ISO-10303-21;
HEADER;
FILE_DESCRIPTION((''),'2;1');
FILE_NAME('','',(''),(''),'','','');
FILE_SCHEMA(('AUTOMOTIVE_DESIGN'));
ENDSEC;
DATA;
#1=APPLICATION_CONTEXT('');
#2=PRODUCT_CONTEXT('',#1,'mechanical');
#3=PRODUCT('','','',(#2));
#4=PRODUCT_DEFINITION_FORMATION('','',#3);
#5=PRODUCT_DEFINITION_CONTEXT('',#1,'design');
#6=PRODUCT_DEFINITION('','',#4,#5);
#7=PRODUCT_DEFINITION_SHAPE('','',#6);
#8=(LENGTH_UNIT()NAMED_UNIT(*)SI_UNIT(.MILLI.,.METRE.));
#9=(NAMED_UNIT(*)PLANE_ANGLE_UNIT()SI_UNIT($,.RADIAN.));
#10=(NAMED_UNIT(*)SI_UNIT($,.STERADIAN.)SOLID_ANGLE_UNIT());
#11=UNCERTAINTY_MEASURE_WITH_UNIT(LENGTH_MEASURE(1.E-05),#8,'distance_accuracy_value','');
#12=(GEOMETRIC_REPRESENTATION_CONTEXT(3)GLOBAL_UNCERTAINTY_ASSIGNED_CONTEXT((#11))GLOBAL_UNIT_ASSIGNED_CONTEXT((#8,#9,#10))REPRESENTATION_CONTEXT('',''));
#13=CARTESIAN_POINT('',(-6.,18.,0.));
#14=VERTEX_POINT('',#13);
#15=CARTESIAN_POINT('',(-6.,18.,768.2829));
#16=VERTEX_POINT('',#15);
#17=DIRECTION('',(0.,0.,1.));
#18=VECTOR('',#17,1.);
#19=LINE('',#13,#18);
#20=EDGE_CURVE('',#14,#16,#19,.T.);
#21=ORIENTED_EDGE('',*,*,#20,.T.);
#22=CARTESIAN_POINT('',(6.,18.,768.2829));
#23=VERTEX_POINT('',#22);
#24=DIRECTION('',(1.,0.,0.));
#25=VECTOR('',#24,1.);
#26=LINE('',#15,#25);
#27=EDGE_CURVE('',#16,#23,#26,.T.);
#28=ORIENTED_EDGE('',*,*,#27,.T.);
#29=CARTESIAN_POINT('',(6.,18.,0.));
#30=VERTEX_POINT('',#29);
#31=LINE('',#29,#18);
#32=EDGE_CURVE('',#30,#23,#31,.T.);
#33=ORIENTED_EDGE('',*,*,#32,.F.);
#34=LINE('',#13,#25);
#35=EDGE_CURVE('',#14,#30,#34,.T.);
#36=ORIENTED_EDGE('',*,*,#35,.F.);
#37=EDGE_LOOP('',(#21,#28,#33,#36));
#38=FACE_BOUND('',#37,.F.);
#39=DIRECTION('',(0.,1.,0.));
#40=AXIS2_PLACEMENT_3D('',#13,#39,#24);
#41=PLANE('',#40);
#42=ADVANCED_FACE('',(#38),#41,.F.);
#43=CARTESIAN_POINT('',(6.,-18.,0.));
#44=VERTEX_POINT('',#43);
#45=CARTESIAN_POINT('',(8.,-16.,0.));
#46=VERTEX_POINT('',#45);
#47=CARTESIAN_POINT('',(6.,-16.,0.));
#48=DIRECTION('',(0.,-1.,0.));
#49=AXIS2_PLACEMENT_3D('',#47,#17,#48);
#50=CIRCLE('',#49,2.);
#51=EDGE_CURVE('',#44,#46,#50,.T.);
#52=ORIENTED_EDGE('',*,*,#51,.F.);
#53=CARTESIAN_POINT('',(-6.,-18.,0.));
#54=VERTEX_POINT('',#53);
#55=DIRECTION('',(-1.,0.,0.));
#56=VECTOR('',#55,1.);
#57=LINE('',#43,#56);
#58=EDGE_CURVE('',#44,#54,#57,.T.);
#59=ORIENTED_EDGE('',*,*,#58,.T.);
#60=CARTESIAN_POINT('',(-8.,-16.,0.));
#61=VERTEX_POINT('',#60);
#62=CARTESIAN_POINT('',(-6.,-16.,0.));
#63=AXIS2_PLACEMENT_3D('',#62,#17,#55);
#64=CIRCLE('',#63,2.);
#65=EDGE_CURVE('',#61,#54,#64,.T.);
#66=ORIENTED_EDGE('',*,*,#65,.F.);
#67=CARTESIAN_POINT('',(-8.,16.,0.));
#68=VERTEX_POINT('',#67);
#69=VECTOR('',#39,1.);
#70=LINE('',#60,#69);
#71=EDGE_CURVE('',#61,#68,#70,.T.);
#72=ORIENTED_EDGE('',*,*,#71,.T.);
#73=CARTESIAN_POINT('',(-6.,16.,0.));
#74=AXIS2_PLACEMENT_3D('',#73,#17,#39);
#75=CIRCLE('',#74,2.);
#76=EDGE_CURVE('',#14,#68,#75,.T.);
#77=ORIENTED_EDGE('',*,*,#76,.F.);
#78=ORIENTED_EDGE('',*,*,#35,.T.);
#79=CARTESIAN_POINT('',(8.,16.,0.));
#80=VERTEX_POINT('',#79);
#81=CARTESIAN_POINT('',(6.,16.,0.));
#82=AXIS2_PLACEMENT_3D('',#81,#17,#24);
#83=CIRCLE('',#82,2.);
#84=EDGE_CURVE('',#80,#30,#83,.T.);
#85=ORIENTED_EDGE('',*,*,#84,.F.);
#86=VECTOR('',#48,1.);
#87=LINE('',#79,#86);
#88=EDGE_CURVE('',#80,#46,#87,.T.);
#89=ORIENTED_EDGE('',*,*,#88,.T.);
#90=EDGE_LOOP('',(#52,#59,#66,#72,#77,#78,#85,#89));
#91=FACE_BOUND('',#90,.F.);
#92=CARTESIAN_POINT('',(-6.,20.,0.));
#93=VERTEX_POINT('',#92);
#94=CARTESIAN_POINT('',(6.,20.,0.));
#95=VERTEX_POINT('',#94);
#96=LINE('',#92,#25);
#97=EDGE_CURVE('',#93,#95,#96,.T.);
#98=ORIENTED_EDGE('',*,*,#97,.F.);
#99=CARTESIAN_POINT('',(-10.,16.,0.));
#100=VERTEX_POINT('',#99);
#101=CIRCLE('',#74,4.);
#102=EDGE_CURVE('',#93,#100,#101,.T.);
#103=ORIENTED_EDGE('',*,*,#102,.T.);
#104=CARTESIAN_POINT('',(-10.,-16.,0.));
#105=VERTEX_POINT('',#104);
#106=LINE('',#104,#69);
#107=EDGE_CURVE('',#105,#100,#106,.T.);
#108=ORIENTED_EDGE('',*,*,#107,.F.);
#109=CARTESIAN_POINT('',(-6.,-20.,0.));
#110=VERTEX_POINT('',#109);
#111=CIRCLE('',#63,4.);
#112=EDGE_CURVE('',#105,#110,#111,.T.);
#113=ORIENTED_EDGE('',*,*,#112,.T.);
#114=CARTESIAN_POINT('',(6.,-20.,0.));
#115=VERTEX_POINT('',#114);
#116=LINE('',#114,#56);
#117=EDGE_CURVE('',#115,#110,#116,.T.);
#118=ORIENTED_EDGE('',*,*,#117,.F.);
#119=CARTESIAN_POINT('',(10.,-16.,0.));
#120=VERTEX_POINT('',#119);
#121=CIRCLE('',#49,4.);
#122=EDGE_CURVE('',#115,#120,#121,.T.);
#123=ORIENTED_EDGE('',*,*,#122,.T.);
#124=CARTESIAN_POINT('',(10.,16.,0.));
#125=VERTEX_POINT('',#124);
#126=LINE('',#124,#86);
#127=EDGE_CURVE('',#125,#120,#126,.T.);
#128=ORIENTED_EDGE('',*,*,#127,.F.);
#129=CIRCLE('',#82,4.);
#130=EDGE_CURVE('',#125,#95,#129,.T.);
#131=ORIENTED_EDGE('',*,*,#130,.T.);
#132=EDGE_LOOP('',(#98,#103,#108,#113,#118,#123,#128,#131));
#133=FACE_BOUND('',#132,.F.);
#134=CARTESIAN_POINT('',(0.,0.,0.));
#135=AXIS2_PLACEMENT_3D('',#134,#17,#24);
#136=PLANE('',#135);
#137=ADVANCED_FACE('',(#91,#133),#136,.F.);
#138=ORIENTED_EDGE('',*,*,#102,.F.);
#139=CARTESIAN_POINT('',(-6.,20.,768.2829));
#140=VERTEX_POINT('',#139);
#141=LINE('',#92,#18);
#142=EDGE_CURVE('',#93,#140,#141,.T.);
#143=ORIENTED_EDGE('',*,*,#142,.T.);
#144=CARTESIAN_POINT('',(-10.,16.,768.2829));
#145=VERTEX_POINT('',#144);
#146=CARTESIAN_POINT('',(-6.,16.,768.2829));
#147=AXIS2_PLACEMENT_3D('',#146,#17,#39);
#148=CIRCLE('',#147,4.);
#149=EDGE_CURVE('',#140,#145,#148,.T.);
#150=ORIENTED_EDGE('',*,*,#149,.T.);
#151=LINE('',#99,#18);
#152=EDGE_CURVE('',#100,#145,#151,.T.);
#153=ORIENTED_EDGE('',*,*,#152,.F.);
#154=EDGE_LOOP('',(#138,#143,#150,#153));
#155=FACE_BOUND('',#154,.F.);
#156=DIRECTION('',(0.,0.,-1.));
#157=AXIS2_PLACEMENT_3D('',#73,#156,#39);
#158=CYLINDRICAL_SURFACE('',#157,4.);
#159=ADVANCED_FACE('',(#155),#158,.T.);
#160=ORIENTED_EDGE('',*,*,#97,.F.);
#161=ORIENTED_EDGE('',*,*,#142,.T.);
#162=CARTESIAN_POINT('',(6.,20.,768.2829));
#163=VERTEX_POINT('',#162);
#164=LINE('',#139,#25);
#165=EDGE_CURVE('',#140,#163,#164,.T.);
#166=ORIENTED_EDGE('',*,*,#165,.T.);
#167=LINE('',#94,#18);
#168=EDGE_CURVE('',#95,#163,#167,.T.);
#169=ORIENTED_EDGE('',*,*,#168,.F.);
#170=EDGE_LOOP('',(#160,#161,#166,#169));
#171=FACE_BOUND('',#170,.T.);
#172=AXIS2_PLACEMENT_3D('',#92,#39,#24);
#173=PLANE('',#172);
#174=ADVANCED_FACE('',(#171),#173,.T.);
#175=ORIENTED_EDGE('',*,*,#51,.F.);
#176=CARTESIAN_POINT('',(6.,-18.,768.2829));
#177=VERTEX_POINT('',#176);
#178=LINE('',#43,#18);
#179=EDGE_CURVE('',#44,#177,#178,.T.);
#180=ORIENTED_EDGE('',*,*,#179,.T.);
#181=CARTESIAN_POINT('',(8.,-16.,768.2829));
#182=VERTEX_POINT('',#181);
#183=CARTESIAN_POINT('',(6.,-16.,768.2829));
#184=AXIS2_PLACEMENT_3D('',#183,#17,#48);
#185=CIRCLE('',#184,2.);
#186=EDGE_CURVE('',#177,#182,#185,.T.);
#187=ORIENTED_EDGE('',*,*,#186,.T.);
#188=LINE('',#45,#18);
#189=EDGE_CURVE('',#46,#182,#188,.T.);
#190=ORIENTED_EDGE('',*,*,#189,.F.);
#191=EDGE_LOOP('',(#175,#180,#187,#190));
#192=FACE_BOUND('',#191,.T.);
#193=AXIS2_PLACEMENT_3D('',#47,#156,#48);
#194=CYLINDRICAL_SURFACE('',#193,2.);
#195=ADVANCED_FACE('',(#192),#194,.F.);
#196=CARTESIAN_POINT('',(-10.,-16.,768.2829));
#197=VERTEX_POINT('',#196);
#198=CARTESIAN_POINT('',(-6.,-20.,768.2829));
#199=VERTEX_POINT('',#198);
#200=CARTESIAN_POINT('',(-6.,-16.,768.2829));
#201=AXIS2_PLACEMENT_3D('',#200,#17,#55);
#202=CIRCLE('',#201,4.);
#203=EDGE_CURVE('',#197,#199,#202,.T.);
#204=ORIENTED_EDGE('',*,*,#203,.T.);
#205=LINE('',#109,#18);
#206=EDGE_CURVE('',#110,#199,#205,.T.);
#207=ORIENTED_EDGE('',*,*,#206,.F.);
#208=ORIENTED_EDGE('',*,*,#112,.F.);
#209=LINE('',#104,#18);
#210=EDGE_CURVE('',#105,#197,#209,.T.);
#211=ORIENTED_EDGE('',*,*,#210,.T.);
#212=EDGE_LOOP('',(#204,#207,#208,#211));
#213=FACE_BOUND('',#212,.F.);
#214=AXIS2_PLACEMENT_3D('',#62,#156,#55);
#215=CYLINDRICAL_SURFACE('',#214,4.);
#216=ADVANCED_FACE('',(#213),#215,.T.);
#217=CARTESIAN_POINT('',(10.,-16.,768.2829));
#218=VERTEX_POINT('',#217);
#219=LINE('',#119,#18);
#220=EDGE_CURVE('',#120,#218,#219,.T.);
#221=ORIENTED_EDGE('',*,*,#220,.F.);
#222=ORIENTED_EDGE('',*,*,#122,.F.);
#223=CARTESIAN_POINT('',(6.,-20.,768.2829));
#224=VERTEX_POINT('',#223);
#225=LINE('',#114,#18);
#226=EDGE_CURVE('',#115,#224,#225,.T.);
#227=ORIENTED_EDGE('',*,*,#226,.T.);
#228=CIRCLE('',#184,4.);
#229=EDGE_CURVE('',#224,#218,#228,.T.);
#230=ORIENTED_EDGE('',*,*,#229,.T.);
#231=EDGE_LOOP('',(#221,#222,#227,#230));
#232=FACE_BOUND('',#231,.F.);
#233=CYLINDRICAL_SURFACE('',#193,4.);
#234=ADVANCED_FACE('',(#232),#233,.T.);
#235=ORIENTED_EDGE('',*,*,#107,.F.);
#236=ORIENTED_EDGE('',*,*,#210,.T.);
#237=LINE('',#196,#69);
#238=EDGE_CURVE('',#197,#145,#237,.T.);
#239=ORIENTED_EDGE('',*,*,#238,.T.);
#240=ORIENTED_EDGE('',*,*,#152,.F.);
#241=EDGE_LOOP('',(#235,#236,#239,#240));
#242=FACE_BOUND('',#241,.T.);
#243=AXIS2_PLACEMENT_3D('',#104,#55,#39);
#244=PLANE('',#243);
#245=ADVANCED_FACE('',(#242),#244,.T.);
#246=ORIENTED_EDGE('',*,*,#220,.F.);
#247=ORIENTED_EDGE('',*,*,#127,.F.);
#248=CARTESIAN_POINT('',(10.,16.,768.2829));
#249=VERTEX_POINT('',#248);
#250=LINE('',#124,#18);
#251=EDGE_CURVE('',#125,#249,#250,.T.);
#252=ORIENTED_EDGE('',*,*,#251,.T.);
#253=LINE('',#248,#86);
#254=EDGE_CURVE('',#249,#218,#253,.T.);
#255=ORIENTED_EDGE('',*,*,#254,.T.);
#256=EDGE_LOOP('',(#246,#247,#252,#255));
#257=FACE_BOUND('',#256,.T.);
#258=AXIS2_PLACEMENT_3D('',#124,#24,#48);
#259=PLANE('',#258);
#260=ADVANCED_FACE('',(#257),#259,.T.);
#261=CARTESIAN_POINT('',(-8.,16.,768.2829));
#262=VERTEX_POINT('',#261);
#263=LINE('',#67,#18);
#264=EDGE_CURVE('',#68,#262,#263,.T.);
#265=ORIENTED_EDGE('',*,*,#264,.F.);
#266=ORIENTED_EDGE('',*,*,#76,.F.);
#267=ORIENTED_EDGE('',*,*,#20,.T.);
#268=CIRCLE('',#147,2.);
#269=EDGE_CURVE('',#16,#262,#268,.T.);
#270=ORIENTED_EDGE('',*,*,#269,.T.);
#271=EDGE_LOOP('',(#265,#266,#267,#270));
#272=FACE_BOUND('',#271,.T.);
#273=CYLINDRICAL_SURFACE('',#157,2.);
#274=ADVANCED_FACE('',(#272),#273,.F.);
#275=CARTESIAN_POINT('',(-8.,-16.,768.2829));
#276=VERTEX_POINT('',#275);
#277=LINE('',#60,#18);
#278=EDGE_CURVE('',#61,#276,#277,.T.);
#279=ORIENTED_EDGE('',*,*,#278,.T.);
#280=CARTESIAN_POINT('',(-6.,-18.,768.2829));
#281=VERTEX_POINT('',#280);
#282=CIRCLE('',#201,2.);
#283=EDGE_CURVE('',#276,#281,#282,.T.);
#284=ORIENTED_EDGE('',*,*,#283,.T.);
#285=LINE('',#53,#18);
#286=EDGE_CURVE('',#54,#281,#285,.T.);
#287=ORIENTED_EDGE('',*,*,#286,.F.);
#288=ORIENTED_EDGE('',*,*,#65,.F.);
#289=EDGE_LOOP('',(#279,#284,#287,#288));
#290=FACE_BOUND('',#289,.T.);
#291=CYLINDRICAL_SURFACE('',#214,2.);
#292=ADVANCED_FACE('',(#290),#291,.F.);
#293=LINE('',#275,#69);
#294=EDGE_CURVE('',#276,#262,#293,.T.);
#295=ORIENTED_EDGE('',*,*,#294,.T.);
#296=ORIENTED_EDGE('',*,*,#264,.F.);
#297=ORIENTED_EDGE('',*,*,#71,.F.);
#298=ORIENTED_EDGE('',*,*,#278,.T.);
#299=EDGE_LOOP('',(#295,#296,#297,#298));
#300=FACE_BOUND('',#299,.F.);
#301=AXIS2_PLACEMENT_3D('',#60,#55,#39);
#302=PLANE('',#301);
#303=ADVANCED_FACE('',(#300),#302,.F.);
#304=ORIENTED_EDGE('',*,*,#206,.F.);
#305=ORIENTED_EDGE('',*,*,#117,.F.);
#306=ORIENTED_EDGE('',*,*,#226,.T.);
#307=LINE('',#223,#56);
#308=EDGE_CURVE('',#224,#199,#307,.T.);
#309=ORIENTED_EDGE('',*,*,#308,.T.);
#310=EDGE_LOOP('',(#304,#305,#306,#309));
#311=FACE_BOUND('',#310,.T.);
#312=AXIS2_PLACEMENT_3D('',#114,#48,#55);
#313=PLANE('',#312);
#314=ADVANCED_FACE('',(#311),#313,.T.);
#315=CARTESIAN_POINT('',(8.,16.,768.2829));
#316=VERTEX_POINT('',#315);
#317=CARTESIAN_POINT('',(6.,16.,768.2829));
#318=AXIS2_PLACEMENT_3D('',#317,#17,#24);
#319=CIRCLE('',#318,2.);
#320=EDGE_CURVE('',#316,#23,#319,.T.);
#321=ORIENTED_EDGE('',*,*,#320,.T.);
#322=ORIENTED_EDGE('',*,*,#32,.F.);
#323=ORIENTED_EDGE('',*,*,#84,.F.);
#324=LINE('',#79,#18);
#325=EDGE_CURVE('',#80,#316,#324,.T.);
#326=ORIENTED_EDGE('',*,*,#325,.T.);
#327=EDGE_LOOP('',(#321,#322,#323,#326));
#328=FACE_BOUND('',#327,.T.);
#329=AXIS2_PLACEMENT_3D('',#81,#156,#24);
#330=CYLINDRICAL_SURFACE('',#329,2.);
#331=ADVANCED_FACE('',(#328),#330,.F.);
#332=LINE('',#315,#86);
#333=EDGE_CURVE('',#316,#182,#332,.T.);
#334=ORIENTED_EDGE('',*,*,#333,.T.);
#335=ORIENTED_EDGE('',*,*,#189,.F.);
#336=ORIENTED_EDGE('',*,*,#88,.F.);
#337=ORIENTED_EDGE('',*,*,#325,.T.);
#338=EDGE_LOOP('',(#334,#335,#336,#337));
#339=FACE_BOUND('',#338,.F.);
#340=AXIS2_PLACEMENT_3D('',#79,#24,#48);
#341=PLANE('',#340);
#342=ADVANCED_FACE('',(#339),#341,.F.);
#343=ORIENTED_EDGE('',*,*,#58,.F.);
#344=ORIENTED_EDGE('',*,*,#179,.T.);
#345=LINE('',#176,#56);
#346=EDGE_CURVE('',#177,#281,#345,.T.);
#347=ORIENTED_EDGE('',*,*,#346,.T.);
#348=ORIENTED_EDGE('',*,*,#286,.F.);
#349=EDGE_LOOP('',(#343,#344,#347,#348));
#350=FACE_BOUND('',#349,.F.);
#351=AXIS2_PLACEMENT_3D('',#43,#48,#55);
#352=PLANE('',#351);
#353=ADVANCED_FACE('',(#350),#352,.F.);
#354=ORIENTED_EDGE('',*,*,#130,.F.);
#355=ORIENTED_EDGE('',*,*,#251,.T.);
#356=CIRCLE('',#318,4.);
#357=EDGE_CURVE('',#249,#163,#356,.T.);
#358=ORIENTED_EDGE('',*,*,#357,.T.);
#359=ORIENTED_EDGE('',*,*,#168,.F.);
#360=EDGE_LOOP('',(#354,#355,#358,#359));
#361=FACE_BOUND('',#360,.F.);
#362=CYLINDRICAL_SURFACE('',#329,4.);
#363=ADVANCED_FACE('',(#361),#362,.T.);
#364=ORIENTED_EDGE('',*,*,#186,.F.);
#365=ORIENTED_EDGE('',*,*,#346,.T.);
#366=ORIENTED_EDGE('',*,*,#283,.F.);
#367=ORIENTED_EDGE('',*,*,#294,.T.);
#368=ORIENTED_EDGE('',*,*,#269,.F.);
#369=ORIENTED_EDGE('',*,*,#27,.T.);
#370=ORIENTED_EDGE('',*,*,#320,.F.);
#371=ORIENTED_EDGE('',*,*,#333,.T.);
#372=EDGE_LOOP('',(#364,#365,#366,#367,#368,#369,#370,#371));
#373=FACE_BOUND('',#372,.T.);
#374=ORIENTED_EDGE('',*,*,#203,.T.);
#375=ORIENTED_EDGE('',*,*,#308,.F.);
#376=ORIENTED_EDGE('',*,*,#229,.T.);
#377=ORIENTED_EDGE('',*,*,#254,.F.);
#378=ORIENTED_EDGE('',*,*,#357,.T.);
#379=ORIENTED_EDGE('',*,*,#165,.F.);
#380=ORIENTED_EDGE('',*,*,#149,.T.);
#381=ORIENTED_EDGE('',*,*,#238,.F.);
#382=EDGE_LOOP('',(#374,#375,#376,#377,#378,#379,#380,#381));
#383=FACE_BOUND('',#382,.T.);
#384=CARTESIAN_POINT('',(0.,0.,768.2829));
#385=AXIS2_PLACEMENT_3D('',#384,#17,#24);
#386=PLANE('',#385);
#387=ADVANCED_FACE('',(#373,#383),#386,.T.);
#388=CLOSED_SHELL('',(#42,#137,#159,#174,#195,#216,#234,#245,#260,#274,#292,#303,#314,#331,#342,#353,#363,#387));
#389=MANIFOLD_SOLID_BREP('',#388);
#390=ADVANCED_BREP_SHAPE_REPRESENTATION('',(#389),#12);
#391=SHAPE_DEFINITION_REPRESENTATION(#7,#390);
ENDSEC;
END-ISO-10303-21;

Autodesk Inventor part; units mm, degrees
ref_plane "YZ Plane" through (0, 0, 0) normal (1, 0, 0) x (0, 1, 0)
ref_plane "Start Plane" through (0, 0, 0) normal (0, 0, 1) x (1, 0, 0)
ref_plane "End Plane" through (0, 0, 768.2829) normal (0, 0, 1) x (1, 0, 0)
sketch "Sketch" plane through (0, 0, 0) normal (0, 0, 1) x (1, 0, 0)
  line L0 (-10, -16) -> (-10, 16)
  line L1 (-6, 20) -> (6, 20)
  line L2 (10, 16) -> (10, -16)
  line L3 (6, -20) -> (-6, -20)
  arc A0 (-10, -16) -> (-6, -20) centre (-6, -16) ccw
  arc A1 (10, 16) -> (6, 20) centre (6, 16) ccw
  arc A2 (-6, 20) -> (-10, 16) centre (-6, 16) ccw
  arc A3 (6, -20) -> (10, -16) centre (6, -16) ccw
  arc A4 (-6, 18) -> (-8, 16) centre (-6, 16) ccw
  line L4 (-6, 18) -> (6, 18)
  arc A5 (8, 16) -> (6, 18) centre (6, 16) ccw
  line L5 (8, 16) -> (8, -16)
  arc A6 (6, -18) -> (8, -16) centre (6, -16) ccw
  line L6 (6, -18) -> (-6, -18)
  arc A7 (-8, -16) -> (-6, -18) centre (-6, -16) ccw
  line L7 (-8, -16) -> (-8, 16)
  line L8 (0, 29.1598) -> (0, -29.1598) construction
  line L9 (-15.1598, 0) -> (15.1598, 0) construction
  dimension "d7" = 4
  dimension "d9" = 20
  dimension "d11" = 40
  dimension "d12" = 2
  dimension "d15" = 10
  dimension "d16" = 20
extrude "Body" add sketch "Sketch" along normal up to surface (768.2829 mm away) from surface at 0
sketch "Sketch3" plane through (0, 0, 0) normal (0, 0, 1) x (1, 0, 0)
  line L0 (0, 0) -> (10, 0)
ref_plane "Work Plane3" through (0, 0, 0) normal (0, -1, 0) x (1, 0, 0)
sketch "Sketch4" plane through (0, 0, 0) normal (0, -1, 0) x (1, 0, 0)
  line L0 (-2, 0) -> (12, 0) projected
  line L1 (-2, 768.2829) -> (12, 768.2829) projected
  dimension "d18" = 768.2829
equation "\"d7\" = G_IR"
equation "\"d9\" = G_W"
equation "\"d11\" = G_H"
equation "\"d12\" = G_T"
equation "\"d15\" = 0.5 * d9"
equation "\"d16\" = 0.5 * d11"
equation "\"d3\" = G_L"
equation "\"G_W\" = 20"
equation "\"G_H\" = 40"
equation "\"G_T\" = 2"
equation "\"G_IR\" = 4"
equation "\"G_L\" = d18"
equation "\"G_OFFSET_START\" = 0"
equation "\"G_OFFSET_END\" = 0"
equation "\"d14\" = G_OFFSET_END + B_L"
equation "\"B_L\" = 768.28286"
properties part number "ISO 10799-2 - 40x20x2 - 768,28" material "Steel, Mild"
